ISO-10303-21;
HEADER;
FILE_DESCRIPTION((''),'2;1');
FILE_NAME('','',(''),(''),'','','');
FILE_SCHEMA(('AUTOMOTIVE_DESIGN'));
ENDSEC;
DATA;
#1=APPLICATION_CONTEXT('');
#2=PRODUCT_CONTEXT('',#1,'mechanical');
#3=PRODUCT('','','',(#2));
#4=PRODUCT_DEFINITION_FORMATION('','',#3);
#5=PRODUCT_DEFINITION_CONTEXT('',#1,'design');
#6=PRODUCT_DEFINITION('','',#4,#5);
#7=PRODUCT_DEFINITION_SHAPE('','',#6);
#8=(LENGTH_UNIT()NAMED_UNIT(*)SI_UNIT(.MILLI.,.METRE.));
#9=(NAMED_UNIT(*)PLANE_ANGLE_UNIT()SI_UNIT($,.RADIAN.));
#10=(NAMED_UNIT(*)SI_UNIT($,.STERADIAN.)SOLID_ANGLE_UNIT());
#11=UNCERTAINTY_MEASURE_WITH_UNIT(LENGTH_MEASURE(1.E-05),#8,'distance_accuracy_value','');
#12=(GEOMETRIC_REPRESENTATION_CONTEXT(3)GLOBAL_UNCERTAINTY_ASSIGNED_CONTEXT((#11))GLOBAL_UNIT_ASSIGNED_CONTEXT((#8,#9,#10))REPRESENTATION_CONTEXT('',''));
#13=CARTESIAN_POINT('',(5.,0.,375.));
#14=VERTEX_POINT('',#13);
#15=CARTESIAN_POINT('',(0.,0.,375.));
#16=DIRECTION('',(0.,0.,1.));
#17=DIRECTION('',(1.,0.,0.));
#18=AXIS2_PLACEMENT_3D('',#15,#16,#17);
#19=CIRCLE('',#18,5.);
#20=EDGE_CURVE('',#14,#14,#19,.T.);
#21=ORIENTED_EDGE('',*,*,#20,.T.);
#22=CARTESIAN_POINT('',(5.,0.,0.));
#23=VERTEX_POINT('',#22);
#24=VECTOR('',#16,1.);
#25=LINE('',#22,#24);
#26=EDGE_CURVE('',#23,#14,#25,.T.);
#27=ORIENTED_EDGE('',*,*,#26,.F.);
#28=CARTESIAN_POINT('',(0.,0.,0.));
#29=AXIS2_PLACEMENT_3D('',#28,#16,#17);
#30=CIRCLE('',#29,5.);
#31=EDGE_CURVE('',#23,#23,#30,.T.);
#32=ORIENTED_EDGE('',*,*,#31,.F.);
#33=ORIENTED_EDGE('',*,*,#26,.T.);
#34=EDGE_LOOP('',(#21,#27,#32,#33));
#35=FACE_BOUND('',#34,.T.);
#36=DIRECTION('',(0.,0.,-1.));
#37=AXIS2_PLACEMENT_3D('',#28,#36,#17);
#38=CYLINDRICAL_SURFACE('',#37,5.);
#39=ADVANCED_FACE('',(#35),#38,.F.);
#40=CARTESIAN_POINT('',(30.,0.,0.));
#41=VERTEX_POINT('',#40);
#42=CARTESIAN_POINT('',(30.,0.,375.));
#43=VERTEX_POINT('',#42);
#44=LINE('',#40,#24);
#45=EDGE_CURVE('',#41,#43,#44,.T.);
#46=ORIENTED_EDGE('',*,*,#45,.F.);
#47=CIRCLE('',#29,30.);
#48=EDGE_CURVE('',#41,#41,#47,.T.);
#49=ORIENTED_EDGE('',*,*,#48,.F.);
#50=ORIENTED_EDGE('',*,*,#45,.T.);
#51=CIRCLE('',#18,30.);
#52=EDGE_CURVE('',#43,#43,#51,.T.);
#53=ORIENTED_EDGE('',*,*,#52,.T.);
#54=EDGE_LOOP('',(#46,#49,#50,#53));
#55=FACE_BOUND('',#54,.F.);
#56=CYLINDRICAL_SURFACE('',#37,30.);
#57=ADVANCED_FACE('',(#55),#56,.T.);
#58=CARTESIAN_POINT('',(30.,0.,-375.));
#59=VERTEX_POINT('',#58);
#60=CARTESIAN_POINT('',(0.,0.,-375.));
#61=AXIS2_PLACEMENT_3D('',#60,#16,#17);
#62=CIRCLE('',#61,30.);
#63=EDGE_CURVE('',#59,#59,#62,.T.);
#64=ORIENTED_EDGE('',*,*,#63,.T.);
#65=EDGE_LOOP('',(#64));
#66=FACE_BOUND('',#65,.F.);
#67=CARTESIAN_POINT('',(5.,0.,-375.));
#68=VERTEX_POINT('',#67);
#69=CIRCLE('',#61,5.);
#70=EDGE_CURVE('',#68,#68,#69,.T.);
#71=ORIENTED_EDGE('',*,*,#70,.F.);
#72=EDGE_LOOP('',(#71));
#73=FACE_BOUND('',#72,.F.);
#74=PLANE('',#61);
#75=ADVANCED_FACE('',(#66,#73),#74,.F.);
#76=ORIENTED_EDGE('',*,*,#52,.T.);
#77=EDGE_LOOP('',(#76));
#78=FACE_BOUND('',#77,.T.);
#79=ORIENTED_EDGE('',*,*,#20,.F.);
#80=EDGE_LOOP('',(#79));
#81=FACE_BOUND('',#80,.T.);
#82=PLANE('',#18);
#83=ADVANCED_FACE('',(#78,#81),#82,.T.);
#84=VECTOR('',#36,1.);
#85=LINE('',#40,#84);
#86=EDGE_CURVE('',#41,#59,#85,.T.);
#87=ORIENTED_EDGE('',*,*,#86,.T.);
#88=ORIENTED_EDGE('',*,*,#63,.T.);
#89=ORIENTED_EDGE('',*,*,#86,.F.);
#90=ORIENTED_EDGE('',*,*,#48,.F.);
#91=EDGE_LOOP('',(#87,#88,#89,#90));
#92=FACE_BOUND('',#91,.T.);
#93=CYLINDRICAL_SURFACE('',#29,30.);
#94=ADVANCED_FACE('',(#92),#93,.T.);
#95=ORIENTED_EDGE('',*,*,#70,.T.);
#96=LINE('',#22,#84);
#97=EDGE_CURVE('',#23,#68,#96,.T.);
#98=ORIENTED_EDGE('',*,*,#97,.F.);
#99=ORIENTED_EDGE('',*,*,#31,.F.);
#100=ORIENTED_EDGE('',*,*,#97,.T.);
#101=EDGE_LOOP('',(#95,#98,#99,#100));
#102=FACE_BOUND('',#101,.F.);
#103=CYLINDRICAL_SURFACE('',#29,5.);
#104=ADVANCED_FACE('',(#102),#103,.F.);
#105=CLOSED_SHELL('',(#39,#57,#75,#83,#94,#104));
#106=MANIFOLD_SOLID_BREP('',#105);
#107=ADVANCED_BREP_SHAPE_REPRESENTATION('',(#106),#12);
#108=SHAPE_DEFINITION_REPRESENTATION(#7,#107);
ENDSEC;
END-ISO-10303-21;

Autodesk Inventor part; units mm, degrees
sketch "Sketch1" plane through (0, 0, 0) normal (0, 0, 1) x (1, 0, 0)
  circle A0 centre (0, 0) radius 30
  circle A1 centre (0, 0) radius 5
  dimension "d0" = 60
  dimension "d1" = 25
extrude "Extrusion1" add sketch "Sketch1" along normal mid plane 750
sketch "Sketch2" plane through (0, 0, 0) normal (0, 0, 1) x (1, 0, 0)
  point P0 (0, 0)
properties material "Aluminum 6061"
